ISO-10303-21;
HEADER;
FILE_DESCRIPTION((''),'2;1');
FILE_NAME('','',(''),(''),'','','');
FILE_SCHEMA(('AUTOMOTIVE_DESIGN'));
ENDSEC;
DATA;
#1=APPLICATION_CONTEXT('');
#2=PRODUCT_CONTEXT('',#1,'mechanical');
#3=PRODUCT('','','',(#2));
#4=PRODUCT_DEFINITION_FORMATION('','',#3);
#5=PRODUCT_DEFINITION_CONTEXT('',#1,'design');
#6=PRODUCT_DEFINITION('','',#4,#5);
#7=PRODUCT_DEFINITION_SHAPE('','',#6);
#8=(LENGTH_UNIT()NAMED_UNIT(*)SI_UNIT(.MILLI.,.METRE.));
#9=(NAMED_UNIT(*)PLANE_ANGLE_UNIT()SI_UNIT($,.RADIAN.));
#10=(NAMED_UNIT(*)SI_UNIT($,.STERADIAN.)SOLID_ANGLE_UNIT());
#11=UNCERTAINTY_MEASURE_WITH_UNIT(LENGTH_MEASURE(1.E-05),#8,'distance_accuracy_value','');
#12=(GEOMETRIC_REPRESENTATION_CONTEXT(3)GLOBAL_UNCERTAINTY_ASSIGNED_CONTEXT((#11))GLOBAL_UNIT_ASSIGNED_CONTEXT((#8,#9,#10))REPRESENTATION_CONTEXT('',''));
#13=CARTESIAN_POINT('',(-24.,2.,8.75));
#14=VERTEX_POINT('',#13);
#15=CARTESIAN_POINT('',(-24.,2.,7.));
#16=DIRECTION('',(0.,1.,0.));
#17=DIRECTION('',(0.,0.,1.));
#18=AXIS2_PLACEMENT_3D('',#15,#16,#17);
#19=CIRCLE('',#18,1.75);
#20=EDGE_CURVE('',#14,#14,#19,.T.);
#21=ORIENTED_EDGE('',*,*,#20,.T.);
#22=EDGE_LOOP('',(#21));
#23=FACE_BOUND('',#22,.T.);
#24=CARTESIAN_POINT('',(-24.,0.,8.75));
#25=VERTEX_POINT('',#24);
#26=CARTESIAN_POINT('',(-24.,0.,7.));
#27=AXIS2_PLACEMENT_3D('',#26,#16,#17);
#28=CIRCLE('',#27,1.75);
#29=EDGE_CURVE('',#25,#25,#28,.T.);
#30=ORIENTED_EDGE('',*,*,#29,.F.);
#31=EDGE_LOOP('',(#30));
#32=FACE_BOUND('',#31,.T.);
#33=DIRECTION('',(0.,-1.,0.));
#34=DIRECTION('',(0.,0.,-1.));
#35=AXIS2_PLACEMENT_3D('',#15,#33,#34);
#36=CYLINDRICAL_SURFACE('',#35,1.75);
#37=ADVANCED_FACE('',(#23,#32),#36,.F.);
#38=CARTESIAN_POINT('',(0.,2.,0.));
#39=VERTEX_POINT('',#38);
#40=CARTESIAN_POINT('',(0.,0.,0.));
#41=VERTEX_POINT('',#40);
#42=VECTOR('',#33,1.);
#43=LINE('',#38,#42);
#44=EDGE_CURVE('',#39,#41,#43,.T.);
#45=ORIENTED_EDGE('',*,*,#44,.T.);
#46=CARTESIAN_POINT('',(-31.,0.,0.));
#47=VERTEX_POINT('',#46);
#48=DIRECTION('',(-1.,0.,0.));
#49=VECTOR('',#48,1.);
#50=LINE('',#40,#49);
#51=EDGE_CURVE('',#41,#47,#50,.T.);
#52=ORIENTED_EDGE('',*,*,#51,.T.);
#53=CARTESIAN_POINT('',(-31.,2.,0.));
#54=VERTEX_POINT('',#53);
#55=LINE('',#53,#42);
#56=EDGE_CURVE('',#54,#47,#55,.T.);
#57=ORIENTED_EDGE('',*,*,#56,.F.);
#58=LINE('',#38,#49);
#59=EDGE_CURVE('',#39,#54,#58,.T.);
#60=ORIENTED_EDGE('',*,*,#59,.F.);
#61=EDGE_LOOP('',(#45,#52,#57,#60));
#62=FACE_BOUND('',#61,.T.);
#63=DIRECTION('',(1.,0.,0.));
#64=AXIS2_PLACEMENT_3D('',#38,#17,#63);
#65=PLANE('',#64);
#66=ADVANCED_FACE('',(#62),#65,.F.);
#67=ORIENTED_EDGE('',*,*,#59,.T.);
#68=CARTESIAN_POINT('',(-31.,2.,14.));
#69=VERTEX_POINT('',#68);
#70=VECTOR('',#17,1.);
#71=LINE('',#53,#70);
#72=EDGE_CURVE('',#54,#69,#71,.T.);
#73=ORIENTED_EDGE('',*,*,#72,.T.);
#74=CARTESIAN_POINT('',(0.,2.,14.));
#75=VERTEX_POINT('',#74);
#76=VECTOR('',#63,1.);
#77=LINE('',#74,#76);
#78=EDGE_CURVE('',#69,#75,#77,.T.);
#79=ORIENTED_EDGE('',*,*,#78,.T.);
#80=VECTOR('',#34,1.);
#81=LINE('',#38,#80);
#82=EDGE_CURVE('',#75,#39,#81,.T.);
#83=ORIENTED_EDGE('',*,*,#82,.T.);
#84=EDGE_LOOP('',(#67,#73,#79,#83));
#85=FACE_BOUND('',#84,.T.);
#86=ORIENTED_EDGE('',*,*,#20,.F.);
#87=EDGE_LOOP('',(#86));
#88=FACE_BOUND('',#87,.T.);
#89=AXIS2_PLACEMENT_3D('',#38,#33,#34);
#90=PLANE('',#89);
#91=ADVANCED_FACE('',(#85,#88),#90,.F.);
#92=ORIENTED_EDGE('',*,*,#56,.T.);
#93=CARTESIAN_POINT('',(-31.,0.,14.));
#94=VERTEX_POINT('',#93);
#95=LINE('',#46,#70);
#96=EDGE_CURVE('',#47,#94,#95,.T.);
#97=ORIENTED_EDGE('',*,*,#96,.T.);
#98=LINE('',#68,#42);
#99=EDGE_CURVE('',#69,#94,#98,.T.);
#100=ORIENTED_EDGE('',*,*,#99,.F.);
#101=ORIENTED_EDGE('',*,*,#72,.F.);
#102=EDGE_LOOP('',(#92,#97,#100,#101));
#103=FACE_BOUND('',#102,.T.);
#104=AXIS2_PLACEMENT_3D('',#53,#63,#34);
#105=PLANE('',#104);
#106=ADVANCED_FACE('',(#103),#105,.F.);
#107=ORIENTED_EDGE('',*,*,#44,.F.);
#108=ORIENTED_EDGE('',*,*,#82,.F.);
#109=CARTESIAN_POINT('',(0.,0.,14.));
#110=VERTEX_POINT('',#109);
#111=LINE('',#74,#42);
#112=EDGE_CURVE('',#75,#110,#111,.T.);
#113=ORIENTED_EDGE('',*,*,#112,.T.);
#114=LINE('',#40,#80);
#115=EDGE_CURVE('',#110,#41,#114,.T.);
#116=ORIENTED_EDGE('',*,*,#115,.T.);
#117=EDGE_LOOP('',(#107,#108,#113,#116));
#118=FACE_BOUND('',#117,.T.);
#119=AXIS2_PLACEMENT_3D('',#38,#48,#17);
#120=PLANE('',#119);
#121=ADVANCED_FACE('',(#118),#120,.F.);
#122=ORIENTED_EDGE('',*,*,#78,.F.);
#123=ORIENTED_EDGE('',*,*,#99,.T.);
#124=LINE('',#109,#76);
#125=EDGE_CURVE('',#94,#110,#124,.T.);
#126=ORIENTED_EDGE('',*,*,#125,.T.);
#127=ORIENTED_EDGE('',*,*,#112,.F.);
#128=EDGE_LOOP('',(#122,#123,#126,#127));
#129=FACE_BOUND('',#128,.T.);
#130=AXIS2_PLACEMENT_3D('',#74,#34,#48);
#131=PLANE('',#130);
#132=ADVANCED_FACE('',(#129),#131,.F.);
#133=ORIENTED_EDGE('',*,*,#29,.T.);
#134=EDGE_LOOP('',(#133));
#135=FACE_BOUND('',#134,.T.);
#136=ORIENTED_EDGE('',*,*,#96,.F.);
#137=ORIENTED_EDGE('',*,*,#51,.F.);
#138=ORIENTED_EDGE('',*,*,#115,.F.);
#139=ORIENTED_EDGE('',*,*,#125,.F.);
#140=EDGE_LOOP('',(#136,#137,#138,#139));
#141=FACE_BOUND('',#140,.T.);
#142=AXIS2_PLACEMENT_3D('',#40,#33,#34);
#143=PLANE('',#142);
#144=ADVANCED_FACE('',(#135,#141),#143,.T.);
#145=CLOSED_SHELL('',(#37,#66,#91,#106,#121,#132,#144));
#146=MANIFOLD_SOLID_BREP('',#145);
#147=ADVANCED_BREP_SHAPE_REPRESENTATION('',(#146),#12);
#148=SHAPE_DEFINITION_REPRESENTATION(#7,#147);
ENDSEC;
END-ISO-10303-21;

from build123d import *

# Parameters (mm, degrees)
CROQUIS1_W              = 31
CROQUIS1_H              = 14
CROQUIS1_R              = 1.75
SALIENTE_EXTRUIR1_DEPTH = 2


with BuildPart() as part:
    # Croquis1 → Saliente-Extruir1 (new body)
    with BuildSketch(Plane(origin=(0, 0, 0), x_dir=(1, 0, 0), z_dir=(0, 1, 0))):
        with Locations((-15.5, -7)):
            Rectangle(CROQUIS1_W, CROQUIS1_H)
        with Locations(Location((-24, -7, 0), (0, 0, 270))):
            Circle(CROQUIS1_R, mode=Mode.SUBTRACT)
    extrude(amount=SALIENTE_EXTRUIR1_DEPTH)


solid = part.part
